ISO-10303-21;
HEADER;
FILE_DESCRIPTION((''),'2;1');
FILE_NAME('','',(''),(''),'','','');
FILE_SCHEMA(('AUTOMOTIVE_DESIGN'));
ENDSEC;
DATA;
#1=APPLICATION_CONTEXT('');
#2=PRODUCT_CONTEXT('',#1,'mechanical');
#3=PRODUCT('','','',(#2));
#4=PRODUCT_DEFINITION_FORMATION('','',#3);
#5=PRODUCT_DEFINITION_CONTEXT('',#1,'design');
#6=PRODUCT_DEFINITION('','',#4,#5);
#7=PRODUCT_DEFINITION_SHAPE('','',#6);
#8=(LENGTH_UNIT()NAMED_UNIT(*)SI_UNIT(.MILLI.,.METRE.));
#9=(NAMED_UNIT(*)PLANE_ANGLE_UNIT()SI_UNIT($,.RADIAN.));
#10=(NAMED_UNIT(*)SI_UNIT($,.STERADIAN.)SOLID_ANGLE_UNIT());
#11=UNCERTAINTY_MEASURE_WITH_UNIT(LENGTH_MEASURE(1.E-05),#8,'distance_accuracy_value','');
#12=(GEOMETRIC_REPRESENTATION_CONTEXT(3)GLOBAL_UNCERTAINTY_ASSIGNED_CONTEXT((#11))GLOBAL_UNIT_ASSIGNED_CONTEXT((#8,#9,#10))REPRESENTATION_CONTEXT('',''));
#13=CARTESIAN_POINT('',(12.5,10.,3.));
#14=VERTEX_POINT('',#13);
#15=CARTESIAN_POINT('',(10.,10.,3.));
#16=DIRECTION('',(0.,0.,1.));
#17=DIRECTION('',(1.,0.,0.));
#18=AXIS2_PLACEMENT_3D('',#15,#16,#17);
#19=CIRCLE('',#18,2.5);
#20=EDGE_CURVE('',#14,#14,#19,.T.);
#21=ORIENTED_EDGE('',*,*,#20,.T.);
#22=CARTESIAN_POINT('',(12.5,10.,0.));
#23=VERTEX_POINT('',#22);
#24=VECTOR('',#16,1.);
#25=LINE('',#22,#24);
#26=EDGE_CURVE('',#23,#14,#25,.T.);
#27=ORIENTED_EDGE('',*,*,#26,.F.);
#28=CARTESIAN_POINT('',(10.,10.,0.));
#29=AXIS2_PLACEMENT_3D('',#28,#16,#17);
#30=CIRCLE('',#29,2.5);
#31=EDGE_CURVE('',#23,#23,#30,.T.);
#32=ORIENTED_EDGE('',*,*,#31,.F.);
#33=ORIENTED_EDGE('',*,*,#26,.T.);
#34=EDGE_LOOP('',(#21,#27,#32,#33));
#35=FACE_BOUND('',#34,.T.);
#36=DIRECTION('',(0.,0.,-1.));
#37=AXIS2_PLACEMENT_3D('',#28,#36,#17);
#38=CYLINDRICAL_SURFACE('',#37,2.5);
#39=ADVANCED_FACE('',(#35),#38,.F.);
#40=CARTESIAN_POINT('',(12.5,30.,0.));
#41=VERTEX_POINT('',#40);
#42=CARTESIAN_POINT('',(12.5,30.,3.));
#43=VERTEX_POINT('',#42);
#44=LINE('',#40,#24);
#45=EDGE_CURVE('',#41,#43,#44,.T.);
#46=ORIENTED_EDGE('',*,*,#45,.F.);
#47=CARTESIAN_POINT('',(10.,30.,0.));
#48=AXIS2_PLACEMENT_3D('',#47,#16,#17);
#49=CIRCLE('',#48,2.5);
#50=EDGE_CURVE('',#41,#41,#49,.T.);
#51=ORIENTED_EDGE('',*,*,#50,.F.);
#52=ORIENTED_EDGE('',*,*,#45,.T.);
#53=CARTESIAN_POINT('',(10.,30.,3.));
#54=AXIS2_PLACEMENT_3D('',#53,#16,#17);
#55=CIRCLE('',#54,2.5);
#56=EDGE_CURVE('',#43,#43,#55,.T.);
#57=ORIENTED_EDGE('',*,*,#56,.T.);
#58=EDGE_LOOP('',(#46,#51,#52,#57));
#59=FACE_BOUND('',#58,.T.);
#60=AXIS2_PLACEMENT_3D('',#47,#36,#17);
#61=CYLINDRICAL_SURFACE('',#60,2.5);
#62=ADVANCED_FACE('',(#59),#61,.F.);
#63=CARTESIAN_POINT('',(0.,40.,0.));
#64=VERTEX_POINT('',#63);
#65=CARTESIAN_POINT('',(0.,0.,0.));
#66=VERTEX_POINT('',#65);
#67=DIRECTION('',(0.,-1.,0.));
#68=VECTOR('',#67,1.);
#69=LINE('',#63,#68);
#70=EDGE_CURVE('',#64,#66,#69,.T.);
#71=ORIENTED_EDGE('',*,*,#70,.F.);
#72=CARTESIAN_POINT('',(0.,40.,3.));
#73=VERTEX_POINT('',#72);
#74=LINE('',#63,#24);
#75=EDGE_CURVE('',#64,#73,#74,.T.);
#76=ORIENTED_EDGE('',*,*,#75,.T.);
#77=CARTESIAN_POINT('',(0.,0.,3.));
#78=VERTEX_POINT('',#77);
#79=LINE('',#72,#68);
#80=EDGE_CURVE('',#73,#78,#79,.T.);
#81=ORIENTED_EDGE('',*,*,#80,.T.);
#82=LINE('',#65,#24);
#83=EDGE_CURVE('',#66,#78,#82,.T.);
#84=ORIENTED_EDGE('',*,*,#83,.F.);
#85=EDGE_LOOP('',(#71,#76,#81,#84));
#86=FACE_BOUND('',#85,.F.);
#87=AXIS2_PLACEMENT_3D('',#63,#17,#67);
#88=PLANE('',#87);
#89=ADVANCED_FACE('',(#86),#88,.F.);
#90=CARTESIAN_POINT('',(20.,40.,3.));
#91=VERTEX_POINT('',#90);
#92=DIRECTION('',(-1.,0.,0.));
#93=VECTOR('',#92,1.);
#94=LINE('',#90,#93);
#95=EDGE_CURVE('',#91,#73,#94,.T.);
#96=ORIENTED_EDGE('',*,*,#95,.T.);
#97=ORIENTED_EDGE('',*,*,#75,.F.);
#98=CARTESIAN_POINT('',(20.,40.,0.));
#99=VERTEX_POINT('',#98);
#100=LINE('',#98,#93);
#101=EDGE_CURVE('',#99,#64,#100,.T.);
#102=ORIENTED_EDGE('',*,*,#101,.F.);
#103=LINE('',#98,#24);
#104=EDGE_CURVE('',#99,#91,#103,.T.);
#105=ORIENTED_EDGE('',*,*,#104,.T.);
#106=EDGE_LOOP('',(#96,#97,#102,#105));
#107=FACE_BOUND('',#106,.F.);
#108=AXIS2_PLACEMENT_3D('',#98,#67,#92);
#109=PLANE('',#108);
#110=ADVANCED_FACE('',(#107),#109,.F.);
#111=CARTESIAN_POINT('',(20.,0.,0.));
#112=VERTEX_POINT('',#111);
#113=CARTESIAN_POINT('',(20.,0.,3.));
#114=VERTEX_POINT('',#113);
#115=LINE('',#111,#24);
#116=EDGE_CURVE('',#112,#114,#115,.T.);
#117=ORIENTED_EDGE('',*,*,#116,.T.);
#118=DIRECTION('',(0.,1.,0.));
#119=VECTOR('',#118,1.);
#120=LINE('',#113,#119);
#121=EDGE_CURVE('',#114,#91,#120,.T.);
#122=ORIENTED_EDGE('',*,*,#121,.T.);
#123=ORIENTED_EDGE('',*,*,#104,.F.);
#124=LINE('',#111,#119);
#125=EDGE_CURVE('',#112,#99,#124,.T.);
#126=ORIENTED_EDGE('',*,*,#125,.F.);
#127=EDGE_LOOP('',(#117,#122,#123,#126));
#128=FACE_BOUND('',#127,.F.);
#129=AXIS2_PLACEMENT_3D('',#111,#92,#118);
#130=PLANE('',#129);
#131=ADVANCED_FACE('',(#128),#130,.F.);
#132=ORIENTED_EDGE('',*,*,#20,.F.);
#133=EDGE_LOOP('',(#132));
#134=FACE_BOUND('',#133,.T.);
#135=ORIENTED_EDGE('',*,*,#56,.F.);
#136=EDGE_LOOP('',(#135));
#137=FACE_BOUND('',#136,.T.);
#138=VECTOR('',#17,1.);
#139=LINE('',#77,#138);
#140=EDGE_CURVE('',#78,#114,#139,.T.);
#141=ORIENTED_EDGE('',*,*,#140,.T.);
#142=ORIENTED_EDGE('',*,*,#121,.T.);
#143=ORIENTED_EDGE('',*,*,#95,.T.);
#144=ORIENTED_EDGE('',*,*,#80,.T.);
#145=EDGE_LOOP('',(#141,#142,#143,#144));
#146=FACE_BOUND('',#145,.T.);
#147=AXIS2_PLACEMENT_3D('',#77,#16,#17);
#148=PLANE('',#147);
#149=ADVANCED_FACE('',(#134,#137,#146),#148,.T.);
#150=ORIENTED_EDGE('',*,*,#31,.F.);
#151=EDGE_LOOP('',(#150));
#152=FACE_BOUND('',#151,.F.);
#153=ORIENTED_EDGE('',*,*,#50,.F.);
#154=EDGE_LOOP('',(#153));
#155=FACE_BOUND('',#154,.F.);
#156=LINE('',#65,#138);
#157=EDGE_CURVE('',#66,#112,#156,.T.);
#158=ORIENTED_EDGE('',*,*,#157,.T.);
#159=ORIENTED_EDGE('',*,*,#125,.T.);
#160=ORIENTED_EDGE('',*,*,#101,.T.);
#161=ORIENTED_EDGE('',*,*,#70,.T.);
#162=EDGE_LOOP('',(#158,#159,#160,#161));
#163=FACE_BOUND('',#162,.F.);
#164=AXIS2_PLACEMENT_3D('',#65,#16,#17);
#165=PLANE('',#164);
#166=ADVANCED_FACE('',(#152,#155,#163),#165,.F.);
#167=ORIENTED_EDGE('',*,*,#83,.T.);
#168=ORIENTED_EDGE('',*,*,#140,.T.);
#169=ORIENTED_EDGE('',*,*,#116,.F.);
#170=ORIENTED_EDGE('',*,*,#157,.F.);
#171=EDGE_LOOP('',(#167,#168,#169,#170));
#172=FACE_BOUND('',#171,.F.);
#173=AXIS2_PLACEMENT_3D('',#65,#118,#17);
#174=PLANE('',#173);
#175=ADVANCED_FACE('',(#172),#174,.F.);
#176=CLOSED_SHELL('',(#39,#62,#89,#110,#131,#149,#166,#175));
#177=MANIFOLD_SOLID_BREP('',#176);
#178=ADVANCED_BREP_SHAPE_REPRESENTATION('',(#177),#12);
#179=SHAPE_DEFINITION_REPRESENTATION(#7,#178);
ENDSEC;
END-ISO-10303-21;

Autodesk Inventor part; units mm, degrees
ref_plane "YZ Plane" through (0, 0, 0) normal (1, 0, 0) x (0, 1, 0)
ref_plane "XZ Plane" through (0, 0, 0) normal (0, 1, 0) x (-1, 0, 0)
ref_plane "XY Plane" through (0, 0, 0) normal (0, 0, 1) x (1, 0, 0)
sketch "Sketch1" plane through (0, 0, 0) normal (0, 0, 1) x (1, 0, 0)
  line L0 (0, 0) -> (20, 0)
  line L1 (20, 0) -> (20, 40)
  line L2 (20, 40) -> (0, 40)
  line L3 (0, 40) -> (0, 0)
  circle A0 centre (10, 30) radius 2.5
  circle A1 centre (10, 10) radius 2.5
  dimension "d0" = 40
  dimension "d1" = 20
  dimension "d2" = 5
  dimension "d3" = 20
  dimension "d4" = 10
  dimension "d5" = 10
extrude "Extrusion1" add sketch "Sketch1" along normal blind 3
properties part number "EndCap" material "Aluminum 6061"
